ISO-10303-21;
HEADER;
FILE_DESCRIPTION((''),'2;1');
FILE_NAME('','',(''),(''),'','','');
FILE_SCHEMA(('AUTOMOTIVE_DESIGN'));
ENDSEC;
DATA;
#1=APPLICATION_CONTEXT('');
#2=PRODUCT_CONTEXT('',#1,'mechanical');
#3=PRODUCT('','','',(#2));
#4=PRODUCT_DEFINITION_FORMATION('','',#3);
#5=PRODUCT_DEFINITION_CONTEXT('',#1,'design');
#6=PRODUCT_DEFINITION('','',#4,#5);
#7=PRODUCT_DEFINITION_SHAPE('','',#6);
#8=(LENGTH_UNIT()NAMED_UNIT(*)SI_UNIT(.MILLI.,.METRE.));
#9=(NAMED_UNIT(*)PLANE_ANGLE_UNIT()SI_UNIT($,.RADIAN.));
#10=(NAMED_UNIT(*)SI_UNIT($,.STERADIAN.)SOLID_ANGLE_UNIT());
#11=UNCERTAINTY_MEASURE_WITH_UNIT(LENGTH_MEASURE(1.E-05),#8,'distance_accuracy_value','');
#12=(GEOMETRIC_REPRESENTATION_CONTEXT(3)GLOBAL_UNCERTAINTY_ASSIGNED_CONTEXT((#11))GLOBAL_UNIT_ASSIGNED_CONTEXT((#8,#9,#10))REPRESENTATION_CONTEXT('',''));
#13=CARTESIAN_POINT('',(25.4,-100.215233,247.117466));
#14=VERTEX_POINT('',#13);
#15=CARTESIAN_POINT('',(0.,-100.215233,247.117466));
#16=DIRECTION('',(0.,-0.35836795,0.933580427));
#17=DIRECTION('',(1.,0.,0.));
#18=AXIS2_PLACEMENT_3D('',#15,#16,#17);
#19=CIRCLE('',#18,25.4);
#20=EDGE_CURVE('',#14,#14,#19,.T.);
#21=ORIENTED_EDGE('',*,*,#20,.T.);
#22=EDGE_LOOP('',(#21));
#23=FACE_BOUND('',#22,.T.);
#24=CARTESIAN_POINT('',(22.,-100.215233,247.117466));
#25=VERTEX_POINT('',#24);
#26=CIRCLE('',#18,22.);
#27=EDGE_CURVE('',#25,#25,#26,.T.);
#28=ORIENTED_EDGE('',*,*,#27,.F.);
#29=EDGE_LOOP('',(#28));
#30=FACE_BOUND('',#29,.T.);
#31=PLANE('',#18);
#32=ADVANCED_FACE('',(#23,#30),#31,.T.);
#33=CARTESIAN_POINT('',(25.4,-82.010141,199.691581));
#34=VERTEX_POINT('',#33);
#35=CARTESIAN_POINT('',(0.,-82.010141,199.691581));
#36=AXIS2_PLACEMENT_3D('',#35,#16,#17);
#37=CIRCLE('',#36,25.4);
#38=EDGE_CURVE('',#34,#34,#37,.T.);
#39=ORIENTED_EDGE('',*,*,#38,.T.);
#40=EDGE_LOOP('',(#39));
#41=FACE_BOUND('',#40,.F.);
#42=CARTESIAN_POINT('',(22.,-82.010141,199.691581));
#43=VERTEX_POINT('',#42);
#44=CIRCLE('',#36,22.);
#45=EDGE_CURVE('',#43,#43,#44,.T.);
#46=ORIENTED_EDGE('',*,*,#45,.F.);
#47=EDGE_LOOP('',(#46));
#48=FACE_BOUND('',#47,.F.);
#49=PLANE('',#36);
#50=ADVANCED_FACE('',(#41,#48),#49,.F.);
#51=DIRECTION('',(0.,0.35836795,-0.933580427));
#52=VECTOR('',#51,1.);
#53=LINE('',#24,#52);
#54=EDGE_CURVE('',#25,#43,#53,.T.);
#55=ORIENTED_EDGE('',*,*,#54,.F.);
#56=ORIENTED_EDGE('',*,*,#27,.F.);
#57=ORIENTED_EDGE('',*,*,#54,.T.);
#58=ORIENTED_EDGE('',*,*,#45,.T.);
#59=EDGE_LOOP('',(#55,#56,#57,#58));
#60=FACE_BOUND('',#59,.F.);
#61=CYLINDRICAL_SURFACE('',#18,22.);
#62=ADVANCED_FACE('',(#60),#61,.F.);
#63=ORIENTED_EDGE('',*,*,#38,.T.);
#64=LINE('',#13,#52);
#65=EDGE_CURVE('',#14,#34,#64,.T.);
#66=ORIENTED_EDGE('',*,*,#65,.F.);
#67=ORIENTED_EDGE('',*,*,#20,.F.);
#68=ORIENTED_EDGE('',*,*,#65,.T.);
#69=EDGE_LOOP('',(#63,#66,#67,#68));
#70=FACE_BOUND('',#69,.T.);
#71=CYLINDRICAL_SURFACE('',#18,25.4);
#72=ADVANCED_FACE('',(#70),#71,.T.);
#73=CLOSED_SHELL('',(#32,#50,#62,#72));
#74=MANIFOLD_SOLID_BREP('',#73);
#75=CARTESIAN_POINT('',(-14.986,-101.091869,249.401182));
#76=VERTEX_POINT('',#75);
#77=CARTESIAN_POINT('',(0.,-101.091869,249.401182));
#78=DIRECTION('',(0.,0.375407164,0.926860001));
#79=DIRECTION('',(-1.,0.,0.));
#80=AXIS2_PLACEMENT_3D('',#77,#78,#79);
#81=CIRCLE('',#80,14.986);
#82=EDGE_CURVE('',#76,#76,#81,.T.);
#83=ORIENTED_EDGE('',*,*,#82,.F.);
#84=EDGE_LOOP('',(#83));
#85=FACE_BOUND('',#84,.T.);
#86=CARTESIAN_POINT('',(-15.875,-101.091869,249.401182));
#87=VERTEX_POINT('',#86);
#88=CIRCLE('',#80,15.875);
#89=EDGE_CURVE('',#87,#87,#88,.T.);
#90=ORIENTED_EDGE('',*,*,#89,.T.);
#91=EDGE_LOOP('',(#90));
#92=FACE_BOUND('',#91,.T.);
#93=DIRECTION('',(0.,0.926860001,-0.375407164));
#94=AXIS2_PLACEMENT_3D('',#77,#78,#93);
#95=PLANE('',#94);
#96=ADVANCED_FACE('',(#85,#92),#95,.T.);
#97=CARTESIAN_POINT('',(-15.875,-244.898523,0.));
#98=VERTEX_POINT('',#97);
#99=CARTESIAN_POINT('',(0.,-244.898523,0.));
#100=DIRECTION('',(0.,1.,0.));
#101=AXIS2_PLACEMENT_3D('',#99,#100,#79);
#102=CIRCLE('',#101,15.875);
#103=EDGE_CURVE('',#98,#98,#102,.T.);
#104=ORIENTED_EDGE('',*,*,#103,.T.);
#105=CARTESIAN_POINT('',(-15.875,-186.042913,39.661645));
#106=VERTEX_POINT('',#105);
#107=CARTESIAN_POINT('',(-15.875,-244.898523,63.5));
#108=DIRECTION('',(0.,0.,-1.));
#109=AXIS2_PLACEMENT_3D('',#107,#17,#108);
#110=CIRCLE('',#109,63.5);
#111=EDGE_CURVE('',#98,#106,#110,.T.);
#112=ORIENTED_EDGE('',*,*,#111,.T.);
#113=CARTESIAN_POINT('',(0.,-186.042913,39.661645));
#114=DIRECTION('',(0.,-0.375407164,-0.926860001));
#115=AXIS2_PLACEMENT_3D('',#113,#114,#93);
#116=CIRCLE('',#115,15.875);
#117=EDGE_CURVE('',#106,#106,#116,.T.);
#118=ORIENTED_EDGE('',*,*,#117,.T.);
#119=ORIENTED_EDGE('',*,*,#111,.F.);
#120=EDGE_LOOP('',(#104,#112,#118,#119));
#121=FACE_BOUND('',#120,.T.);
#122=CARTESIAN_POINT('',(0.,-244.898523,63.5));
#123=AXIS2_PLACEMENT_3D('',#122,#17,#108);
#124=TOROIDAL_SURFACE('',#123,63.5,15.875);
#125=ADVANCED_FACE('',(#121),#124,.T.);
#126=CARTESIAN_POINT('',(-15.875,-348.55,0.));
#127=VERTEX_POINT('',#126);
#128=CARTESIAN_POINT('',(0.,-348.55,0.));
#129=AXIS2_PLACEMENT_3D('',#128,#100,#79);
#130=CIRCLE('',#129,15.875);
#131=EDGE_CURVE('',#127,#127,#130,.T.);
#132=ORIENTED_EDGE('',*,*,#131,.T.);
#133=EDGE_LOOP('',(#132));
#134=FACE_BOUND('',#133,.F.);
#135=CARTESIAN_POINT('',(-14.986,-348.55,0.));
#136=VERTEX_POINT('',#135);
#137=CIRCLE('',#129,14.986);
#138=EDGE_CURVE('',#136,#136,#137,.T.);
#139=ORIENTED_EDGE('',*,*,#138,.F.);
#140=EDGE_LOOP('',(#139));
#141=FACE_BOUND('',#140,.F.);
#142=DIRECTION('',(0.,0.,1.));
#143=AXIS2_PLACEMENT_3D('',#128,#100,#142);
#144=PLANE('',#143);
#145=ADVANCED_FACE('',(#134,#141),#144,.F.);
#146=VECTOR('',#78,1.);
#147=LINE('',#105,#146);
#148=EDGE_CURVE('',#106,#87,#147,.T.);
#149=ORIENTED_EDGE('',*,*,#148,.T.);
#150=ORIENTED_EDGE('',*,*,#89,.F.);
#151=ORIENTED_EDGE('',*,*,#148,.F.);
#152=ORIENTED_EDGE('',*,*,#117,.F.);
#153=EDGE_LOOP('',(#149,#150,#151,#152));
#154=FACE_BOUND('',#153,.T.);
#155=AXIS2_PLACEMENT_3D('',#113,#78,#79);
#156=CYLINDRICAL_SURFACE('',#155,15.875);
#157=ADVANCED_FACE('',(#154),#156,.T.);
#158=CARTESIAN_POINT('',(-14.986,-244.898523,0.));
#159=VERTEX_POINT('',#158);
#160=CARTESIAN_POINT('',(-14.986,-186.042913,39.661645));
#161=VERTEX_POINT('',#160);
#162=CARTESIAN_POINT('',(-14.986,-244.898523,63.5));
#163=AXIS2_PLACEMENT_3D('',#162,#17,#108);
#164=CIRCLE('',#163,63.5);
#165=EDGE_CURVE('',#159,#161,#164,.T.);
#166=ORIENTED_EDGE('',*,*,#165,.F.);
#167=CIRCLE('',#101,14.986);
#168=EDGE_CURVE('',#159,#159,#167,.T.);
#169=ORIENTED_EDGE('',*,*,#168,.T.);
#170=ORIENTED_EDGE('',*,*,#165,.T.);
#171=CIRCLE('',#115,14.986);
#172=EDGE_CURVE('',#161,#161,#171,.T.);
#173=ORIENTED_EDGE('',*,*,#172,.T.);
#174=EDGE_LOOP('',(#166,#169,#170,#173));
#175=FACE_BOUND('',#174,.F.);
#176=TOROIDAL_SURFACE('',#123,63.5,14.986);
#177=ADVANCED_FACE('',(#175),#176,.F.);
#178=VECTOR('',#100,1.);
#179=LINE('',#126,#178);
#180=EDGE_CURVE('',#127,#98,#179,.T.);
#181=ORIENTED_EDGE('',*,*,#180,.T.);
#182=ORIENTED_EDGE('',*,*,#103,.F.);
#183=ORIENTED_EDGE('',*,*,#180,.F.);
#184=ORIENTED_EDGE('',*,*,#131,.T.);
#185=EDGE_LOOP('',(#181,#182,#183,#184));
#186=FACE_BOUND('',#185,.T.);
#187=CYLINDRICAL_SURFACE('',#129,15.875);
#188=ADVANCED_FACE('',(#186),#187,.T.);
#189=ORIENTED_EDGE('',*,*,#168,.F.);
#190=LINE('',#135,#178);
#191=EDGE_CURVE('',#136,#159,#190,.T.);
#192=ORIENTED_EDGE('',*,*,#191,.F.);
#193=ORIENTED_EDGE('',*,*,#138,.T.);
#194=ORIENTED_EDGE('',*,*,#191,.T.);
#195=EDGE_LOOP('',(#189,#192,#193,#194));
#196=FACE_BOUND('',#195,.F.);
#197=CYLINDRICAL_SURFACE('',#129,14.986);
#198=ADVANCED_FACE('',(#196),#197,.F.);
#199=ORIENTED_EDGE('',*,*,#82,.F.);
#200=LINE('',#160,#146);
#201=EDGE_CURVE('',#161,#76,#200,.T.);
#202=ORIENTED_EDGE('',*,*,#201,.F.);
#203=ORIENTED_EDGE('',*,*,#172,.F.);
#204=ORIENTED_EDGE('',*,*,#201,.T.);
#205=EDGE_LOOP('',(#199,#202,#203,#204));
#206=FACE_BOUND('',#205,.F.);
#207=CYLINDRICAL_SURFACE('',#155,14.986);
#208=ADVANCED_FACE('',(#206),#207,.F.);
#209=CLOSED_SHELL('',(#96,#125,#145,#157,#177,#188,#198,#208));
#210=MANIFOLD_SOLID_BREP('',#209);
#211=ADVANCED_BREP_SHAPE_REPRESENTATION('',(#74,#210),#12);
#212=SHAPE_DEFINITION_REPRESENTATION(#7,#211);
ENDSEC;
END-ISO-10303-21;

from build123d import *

# Parameters (mm, degrees)
F2_R     = 25.4
F2_R_2   = 22
F3_DEPTH = 50.8
F5_R     = 15.875
F5_R_2   = 14.986


with BuildPart() as f3:
    # F2 (on line) → F3 (new body, through all)
    with BuildSketch(Plane(origin=(0, -95.547330533, 248.9093059323), x_dir=(1, 0, 0), z_dir=(0, -0.3583679495, 0.9335804265))):
        with Locations((0, -5)):
            Circle(F2_R)
        with Locations((0, -5)):
            Circle(F2_R_2, mode=Mode.SUBTRACT)
    extrude(amount=-F3_DEPTH)


with BuildPart() as f7:
    # F7: sweep along a path in F6
    with BuildLine(Plane.YZ) as f7_path:
        Line((-348.55, 0), (-244.8985228166, 0))
        ThreePointArc((-244.8985228166, 0), (-209.412508215, 10.840786488), (-186.0429127507, 39.6616451119))
        Line((-186.0429127507, 39.6616451119), (-101.0918689449, 249.4011817698))
    # F5 (on line) → F7 (sweep)
    with BuildSketch(Plane(origin=(0, -348.55, 0), x_dir=(-1, 0, 0), z_dir=(0, 1, 0))):
        Circle(F5_R)
        Circle(F5_R_2, mode=Mode.SUBTRACT)
    sweep(path=f7_path.line)


solid = Compound([f3.part, f7.part])
